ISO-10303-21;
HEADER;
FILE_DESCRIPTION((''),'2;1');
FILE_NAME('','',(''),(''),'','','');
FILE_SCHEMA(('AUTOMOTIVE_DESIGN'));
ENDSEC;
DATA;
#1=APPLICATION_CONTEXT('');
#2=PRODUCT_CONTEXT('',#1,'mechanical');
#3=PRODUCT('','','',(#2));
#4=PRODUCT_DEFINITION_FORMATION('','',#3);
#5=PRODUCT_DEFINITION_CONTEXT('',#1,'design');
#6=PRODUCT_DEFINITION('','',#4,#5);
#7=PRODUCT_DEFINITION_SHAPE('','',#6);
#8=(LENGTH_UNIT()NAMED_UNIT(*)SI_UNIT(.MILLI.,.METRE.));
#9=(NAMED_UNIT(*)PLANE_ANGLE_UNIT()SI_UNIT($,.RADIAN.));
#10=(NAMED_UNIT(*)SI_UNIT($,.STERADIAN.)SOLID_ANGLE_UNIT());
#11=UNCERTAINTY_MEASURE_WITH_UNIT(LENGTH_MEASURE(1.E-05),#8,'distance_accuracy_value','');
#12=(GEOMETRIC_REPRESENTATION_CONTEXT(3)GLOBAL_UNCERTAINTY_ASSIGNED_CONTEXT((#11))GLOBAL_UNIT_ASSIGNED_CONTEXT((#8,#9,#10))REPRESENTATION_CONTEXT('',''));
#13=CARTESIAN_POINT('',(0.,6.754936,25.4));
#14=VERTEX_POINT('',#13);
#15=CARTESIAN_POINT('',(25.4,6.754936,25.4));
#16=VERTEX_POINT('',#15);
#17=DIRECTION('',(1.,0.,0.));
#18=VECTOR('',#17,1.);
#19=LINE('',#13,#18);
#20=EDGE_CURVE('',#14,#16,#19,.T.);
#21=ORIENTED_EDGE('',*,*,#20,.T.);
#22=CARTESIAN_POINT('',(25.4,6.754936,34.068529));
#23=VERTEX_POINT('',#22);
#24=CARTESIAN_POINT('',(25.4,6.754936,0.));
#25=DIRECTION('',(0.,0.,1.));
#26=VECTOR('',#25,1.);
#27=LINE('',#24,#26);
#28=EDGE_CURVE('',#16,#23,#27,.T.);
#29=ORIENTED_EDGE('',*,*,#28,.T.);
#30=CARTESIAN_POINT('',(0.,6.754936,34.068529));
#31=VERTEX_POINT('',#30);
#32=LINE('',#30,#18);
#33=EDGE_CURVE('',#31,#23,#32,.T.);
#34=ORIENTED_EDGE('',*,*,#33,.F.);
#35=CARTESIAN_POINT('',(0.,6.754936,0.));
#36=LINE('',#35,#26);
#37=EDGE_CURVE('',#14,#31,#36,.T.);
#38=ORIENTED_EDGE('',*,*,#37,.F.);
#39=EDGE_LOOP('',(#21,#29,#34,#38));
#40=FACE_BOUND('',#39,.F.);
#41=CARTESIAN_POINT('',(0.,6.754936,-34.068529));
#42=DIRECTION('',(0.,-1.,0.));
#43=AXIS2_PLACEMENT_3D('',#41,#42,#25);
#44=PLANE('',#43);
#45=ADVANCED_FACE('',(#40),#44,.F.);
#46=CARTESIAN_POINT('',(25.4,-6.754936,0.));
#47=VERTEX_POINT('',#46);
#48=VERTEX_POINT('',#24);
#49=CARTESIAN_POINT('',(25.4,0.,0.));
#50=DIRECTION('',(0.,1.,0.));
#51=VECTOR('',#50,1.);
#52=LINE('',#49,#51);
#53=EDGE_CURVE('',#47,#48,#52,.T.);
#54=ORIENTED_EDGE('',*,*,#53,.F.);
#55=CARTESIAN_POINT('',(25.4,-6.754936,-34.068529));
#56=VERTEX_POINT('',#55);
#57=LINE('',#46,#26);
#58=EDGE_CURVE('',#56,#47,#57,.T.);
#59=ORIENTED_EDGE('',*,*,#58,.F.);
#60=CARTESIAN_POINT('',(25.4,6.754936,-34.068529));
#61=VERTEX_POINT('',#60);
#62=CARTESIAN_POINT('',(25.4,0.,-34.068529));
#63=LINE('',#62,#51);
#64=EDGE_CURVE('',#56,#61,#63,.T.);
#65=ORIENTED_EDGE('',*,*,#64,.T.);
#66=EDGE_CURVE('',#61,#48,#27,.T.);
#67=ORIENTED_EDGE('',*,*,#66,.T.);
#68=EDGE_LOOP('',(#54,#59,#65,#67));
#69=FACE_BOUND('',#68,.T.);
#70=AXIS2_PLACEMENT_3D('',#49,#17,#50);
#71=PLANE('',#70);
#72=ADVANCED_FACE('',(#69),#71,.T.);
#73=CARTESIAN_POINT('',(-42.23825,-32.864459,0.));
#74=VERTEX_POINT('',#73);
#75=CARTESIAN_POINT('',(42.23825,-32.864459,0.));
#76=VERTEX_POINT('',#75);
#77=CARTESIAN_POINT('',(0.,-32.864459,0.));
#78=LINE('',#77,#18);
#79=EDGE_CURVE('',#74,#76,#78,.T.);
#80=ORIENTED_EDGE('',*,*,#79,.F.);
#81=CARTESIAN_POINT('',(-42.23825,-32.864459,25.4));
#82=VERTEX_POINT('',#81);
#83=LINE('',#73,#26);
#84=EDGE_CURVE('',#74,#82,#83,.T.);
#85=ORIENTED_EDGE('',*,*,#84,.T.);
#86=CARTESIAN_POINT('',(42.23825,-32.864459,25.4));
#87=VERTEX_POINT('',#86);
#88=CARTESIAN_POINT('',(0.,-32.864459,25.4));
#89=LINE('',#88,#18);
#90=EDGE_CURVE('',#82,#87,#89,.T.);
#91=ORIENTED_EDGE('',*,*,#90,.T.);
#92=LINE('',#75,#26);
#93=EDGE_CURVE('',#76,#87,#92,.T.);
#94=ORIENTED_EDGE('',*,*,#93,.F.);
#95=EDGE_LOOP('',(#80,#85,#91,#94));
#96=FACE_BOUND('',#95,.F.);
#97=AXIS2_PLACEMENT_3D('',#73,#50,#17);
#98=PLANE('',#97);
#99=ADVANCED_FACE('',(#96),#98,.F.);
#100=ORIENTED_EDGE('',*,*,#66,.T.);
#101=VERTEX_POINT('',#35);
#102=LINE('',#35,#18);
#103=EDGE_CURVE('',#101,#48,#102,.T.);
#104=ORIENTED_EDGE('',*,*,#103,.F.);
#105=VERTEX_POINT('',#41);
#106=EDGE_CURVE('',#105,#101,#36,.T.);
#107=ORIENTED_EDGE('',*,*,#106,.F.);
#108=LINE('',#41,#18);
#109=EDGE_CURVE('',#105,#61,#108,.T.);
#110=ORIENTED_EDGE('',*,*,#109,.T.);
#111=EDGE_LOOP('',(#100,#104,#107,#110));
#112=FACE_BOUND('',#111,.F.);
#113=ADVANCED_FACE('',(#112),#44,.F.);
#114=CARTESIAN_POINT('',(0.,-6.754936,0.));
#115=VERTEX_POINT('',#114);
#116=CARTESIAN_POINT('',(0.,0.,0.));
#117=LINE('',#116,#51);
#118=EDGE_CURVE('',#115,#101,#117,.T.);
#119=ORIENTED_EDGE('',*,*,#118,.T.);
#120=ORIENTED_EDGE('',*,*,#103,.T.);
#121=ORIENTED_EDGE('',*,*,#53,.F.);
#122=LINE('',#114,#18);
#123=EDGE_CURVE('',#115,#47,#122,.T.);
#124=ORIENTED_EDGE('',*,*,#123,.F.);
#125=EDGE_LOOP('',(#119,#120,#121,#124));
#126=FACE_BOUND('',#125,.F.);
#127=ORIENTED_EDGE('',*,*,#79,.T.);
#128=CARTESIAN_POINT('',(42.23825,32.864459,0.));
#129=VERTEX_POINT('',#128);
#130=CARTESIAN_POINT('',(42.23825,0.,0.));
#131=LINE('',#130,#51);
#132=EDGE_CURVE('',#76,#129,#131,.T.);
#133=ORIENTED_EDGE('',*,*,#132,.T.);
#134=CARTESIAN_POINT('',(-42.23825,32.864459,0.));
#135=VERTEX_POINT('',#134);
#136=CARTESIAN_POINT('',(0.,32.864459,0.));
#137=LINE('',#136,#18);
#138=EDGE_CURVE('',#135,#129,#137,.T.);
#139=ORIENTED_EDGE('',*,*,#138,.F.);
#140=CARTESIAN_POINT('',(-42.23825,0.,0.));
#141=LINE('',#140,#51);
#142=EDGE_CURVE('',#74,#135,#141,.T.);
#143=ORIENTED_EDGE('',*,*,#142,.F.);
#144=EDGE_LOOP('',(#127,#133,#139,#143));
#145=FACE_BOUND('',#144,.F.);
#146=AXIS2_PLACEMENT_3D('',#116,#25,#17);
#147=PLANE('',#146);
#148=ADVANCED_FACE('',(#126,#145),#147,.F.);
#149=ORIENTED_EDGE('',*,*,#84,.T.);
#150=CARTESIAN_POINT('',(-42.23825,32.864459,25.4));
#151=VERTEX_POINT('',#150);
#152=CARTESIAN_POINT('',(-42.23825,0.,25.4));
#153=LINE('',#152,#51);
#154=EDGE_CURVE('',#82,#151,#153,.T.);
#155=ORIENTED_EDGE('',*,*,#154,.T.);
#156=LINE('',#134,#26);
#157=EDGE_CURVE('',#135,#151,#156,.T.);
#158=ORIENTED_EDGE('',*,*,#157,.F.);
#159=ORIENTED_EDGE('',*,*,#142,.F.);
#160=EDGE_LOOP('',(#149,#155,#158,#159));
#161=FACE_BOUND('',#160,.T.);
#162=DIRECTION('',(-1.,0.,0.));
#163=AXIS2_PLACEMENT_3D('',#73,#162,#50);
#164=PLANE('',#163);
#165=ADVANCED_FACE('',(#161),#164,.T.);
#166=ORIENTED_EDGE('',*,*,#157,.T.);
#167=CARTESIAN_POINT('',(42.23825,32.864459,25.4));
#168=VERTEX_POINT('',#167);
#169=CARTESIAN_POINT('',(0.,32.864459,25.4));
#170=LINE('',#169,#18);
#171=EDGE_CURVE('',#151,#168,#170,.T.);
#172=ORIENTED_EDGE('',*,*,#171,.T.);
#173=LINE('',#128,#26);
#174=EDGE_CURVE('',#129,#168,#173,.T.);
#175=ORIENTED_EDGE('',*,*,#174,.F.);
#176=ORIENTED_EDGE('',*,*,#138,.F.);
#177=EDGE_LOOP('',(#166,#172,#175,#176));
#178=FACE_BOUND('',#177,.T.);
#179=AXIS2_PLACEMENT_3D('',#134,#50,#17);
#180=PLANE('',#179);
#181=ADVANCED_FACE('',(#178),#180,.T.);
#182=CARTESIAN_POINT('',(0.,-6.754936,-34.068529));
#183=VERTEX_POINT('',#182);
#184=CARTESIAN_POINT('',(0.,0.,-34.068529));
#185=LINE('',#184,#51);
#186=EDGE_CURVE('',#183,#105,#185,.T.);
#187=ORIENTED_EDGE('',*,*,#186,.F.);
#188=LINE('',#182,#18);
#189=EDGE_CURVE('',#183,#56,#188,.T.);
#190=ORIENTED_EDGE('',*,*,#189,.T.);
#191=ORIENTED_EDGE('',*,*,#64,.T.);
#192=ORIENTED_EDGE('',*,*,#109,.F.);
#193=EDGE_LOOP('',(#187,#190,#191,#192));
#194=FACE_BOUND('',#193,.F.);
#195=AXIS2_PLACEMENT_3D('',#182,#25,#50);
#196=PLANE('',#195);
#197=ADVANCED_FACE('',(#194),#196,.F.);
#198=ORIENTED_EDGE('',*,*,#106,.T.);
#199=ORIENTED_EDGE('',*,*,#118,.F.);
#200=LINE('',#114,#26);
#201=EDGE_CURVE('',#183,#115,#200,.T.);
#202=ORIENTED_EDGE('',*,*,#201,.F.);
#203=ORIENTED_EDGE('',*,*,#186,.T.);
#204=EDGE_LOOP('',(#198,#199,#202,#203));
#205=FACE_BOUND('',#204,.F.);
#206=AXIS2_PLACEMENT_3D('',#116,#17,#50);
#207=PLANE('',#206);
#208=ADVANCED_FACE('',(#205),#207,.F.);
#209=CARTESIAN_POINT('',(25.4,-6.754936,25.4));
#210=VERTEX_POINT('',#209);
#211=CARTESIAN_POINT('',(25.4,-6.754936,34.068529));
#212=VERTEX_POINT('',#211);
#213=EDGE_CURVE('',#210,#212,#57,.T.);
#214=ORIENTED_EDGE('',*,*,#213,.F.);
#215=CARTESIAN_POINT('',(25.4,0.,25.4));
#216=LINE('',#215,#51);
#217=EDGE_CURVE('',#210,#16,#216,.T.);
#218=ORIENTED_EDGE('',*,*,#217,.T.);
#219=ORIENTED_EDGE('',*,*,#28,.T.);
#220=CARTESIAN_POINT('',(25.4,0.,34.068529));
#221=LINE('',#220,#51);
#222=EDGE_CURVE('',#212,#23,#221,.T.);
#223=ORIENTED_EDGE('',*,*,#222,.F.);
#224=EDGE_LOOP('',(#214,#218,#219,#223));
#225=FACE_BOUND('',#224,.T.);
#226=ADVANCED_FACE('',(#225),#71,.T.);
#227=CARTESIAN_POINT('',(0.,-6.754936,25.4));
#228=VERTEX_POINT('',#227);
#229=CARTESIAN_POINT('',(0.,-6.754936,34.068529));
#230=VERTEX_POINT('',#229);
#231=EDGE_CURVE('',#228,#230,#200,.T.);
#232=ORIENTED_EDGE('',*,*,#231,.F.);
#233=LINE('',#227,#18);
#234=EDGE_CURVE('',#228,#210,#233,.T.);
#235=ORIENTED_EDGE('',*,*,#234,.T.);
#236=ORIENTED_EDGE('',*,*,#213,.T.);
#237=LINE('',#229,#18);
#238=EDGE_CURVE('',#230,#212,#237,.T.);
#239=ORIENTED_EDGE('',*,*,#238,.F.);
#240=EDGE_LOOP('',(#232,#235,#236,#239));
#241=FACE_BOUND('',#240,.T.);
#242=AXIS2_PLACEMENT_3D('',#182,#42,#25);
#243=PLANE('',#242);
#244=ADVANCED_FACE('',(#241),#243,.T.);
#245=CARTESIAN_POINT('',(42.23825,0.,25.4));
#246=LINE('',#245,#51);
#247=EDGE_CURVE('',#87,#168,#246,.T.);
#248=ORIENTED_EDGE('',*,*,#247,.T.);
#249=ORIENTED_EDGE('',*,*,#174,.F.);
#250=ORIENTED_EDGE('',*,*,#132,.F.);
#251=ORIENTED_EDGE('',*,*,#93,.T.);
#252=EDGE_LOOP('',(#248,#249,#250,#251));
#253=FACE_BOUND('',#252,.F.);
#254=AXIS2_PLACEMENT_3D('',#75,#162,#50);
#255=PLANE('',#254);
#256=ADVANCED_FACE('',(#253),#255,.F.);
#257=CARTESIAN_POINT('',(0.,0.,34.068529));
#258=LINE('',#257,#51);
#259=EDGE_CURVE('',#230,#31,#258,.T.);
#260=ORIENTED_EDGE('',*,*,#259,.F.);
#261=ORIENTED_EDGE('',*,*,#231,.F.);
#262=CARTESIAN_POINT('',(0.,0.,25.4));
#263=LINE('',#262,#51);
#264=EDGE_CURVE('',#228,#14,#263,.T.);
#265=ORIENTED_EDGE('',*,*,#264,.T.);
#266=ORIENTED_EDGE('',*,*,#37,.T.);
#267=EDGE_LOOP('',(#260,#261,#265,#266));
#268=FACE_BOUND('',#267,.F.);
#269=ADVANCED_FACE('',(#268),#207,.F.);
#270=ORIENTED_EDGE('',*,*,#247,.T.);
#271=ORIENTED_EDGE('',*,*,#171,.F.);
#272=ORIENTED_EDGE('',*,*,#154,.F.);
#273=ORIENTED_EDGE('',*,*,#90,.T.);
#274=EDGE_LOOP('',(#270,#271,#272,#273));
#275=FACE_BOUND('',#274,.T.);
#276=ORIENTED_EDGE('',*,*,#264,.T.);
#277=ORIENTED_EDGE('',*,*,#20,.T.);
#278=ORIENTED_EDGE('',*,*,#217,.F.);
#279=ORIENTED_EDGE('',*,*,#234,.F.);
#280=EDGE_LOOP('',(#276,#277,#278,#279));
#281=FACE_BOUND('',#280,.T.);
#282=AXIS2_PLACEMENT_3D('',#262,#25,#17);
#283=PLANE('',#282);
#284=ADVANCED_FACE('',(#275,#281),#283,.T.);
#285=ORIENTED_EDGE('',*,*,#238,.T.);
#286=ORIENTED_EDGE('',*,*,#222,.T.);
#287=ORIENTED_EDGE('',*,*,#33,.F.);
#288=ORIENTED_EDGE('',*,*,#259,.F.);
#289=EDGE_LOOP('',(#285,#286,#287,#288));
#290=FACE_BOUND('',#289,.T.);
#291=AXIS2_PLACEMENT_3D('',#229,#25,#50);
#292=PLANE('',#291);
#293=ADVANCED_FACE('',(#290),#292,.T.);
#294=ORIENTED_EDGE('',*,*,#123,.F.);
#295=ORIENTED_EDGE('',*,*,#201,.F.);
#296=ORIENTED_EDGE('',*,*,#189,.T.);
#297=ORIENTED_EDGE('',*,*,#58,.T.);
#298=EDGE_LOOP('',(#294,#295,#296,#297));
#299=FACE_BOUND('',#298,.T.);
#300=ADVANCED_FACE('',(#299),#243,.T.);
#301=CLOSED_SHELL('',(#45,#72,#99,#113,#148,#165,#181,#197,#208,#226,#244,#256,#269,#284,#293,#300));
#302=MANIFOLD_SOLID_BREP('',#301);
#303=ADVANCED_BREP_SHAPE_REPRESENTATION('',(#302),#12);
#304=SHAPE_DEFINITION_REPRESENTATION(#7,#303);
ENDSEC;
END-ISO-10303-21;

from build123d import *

# Parameters (mm, degrees)
F1_W     = 84.4765
F1_H     = 65.728918
F2_DEPTH = 25.4
F0_W     = 13.509872
F0_H     = 68.137058
F3_DEPTH = 25.4


with BuildPart() as f2:
    # F1 (on Top) → F2 (new body)
    with BuildSketch(Plane.XY):
        Rectangle(F1_W, F1_H)
    extrude(amount=F2_DEPTH)

    # F0 (on Right) → F3 (join)
    with BuildSketch(Plane.YZ):
        Rectangle(F0_W, F0_H)
    extrude(amount=F3_DEPTH)


solid = f2.part
